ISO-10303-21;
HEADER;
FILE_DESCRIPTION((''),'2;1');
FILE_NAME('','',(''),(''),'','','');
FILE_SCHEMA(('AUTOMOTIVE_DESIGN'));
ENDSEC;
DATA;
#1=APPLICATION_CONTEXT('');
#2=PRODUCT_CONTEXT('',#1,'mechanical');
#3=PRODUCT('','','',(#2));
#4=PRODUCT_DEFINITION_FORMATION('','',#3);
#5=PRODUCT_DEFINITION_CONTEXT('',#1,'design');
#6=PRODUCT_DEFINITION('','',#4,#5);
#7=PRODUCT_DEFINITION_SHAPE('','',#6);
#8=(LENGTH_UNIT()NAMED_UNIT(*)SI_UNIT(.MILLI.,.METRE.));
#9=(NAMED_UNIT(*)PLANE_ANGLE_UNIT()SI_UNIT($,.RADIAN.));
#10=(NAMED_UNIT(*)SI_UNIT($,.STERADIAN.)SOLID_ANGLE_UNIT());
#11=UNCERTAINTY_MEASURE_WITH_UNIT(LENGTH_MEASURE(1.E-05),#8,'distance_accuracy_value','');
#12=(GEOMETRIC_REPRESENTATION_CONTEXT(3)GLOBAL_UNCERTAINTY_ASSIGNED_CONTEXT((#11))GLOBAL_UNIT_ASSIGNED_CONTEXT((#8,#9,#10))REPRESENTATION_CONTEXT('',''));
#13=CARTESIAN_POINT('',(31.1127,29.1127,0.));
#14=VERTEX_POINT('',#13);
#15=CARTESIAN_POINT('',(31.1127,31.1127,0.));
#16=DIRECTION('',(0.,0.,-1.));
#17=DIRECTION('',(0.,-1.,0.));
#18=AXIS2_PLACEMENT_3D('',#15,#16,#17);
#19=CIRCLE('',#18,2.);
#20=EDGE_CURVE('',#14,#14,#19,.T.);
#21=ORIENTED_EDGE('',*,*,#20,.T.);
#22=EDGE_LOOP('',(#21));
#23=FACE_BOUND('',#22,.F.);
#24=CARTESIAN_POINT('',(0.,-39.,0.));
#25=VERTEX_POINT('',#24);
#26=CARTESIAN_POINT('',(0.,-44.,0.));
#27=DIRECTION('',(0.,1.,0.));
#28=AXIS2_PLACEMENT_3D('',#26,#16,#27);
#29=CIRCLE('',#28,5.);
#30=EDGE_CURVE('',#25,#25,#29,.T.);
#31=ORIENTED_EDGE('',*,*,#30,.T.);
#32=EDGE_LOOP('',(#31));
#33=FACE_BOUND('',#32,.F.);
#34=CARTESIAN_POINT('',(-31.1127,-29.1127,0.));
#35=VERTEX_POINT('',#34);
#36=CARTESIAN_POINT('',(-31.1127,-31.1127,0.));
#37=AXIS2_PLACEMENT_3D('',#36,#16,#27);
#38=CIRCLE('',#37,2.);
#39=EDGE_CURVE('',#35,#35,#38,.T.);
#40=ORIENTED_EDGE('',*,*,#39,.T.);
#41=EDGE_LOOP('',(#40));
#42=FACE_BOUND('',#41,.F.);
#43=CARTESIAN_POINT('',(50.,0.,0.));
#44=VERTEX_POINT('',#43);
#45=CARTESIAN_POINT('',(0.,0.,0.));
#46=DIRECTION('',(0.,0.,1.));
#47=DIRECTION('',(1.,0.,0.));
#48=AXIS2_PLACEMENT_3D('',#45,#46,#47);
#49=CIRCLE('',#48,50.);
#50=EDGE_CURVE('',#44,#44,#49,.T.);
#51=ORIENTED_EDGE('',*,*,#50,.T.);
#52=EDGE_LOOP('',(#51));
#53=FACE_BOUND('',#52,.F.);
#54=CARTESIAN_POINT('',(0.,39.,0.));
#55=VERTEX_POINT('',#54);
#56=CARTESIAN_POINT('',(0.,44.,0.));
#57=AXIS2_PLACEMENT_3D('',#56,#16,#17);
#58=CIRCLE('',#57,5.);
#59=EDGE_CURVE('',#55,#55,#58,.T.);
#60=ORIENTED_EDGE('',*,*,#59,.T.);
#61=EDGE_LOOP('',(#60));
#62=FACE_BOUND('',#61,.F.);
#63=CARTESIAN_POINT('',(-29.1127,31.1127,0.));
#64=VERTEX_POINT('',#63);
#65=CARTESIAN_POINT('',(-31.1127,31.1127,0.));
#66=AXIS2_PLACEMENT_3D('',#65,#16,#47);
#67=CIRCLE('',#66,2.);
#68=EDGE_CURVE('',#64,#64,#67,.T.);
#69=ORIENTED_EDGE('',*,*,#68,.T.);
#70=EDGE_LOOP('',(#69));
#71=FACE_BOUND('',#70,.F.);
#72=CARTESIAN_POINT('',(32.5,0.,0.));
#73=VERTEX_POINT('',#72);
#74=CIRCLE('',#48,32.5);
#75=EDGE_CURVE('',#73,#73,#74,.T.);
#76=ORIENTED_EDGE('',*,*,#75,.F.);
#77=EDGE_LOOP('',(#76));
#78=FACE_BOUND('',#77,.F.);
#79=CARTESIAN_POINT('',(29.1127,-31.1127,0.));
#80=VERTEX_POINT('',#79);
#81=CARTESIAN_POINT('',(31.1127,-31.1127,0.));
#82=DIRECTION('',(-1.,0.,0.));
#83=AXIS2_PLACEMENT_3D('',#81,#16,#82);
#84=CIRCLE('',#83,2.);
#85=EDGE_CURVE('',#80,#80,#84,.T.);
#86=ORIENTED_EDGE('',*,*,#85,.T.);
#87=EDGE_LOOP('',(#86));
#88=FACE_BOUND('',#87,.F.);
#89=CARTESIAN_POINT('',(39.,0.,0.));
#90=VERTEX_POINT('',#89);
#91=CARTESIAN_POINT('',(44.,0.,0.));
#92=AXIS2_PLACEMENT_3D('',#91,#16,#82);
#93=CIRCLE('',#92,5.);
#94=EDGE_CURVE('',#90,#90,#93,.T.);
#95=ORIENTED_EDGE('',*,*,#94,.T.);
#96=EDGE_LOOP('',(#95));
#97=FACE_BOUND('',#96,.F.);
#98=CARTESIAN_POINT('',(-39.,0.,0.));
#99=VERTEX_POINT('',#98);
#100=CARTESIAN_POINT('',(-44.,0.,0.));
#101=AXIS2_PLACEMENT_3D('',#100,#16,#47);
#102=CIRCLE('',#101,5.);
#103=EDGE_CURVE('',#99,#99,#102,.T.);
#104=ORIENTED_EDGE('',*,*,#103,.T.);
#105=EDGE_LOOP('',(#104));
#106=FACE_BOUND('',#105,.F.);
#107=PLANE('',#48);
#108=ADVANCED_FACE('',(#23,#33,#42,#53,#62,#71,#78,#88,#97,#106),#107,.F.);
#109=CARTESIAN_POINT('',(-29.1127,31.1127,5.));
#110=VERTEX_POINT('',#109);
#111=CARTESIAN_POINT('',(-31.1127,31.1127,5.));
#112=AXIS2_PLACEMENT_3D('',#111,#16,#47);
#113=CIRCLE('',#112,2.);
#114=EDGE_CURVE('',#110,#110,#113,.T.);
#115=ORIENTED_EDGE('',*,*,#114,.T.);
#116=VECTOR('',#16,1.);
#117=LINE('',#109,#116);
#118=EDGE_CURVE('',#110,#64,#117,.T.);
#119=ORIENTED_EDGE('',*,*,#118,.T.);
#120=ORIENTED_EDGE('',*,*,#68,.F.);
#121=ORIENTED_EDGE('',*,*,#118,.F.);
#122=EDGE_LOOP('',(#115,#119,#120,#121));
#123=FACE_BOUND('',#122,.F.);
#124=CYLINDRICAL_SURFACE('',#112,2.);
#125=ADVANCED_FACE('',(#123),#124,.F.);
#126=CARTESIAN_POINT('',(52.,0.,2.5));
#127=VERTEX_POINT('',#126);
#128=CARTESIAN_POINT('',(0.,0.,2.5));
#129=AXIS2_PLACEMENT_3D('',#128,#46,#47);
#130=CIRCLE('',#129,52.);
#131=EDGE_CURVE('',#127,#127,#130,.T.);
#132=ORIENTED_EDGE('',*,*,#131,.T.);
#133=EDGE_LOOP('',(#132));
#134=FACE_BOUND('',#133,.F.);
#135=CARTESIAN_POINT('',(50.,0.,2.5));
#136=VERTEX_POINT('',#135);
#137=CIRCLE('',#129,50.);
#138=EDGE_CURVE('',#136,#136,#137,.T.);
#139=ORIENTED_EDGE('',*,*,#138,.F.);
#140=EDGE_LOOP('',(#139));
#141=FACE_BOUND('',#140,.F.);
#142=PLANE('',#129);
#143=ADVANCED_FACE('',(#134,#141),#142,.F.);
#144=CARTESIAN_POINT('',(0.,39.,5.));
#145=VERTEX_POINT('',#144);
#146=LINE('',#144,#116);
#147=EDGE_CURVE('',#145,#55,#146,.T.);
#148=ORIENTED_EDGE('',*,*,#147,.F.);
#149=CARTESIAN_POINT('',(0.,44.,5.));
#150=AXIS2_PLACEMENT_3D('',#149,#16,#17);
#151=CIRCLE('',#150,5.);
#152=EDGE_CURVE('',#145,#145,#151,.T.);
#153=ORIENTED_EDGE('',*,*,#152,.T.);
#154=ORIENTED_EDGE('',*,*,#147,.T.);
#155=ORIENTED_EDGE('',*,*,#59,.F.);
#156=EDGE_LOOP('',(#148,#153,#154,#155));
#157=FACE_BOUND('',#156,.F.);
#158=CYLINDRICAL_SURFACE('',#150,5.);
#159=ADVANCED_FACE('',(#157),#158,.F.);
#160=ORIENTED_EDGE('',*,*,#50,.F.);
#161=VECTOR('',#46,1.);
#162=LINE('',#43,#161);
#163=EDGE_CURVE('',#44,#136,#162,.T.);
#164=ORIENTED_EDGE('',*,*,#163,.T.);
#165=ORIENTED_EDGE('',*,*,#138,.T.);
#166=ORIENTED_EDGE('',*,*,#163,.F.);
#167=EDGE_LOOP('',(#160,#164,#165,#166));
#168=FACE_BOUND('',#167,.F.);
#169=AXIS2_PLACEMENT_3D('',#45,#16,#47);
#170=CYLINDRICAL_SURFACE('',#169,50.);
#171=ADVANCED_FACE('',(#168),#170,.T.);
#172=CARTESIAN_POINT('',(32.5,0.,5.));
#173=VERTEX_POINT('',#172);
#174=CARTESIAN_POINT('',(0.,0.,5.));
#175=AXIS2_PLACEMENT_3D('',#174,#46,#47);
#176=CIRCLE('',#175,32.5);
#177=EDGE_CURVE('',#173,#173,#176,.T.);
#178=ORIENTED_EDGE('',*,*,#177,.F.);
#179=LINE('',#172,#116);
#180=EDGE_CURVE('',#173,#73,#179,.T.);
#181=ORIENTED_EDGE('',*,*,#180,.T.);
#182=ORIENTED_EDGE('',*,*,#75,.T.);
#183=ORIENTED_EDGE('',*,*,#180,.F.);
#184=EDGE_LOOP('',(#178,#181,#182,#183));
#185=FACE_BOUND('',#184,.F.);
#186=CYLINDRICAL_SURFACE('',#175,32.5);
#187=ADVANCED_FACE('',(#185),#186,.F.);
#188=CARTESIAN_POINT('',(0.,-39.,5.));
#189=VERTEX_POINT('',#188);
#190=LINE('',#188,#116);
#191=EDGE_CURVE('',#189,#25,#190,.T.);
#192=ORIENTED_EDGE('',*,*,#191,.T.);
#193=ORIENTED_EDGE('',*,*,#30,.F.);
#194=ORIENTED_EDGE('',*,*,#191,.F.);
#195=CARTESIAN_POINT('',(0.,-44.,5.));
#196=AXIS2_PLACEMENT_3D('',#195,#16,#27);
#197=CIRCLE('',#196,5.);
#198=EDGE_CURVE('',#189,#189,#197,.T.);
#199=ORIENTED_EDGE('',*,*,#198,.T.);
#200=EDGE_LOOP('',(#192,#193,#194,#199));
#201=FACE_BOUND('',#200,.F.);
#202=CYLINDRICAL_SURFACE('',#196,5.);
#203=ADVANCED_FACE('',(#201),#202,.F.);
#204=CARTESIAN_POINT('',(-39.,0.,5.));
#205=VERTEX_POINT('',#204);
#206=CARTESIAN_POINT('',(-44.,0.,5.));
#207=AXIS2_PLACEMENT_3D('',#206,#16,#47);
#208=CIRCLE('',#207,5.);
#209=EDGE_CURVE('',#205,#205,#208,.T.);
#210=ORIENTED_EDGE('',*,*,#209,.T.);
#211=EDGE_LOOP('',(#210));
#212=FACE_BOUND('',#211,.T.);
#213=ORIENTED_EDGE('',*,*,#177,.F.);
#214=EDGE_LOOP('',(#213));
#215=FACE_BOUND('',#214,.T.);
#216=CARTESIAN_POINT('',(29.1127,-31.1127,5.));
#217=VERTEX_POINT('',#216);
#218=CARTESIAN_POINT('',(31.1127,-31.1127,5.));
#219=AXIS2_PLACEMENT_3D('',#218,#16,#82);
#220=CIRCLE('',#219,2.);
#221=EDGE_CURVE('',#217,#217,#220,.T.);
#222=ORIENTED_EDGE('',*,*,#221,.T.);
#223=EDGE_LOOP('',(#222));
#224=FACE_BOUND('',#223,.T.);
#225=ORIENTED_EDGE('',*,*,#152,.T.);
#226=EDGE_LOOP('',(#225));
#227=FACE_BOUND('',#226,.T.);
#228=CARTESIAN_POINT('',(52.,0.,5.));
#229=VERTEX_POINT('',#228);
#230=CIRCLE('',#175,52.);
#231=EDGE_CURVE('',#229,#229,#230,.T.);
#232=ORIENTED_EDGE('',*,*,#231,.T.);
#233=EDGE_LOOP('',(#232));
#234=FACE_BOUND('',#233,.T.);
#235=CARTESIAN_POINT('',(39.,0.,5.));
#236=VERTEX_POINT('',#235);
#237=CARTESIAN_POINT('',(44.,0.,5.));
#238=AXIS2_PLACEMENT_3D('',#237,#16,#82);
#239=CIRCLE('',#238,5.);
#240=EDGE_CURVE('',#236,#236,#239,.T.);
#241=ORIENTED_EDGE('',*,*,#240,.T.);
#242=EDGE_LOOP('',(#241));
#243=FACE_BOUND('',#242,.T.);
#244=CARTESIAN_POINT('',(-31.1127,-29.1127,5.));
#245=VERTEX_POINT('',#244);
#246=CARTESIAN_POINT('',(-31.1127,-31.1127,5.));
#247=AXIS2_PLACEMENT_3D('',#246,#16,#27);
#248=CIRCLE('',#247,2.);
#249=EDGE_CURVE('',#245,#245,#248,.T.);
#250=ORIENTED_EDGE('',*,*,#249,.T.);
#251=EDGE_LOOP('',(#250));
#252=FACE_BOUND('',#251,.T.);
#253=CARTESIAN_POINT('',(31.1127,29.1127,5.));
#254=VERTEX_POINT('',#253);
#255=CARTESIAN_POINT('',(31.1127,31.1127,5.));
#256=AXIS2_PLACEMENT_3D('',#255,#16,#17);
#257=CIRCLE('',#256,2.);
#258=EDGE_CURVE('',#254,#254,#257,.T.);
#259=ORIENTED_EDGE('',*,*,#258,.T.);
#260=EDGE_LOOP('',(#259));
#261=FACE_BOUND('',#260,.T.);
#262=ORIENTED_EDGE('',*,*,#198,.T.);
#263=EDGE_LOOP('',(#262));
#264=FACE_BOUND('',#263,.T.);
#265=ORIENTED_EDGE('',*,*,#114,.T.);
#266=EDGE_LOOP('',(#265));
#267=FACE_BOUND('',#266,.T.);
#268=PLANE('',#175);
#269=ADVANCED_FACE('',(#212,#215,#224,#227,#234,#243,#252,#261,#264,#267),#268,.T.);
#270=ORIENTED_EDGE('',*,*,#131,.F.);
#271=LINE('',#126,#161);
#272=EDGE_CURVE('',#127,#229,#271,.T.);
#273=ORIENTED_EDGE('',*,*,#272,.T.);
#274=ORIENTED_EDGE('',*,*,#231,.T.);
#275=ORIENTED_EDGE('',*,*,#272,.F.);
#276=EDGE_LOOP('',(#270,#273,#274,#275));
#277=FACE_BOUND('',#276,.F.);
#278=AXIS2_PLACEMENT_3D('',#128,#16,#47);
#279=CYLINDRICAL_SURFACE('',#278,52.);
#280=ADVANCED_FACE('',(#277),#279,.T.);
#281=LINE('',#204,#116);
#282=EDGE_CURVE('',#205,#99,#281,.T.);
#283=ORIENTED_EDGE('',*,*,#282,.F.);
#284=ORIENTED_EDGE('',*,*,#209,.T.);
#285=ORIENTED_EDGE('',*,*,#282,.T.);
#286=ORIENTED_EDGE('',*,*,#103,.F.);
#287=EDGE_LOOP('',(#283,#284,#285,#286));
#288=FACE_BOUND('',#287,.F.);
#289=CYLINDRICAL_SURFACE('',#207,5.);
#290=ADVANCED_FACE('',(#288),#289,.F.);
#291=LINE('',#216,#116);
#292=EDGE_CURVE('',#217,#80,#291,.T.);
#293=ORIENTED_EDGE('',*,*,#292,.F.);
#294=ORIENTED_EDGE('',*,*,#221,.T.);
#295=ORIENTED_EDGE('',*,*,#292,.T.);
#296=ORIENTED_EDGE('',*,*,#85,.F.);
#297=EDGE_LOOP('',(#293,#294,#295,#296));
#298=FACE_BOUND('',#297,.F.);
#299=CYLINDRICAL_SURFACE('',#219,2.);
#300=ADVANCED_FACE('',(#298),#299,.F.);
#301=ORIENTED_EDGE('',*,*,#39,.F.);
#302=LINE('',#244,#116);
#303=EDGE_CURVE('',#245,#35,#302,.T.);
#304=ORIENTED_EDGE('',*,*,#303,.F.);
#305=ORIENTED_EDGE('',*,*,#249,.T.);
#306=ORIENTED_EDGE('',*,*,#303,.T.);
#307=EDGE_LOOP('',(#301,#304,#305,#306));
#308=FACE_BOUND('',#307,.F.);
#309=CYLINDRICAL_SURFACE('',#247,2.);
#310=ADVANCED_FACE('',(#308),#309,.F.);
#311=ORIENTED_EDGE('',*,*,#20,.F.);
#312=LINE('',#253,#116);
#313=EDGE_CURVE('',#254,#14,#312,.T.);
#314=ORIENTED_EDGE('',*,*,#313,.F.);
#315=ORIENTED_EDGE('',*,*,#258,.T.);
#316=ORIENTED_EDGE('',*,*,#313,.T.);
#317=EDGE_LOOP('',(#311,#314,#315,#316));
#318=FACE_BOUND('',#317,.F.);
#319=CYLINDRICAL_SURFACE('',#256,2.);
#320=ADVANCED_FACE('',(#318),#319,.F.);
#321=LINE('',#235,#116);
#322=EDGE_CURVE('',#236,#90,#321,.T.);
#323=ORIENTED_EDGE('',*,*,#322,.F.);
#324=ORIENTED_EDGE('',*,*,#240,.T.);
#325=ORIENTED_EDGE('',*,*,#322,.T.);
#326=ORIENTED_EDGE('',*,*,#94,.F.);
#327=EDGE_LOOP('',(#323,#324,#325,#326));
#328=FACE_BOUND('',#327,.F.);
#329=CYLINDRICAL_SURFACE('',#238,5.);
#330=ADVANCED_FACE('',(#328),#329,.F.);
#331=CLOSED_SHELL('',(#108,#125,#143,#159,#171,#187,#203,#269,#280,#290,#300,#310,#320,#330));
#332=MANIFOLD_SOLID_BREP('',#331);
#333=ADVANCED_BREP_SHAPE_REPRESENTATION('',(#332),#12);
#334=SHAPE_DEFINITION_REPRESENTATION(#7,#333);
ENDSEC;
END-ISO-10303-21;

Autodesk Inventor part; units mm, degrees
ref_plane "YZ Plane" through (0, 0, 0) normal (1, 0, 0) x (0, 1, 0)
ref_plane "XZ Plane" through (0, 0, 0) normal (0, 1, 0) x (-1, 0, 0)
ref_plane "XY Plane" through (0, 0, 0) normal (0, 0, 1) x (1, 0, 0)
sketch "スケッチ1" plane through (0, 0, 0) normal (0, 0, 1) x (1, 0, 0)
  circle A0 centre (0, 0) radius 50
  dimension "d0" = 100
extrude "押し出し1" add sketch "スケッチ1" along normal blind 2.5
sketch "スケッチ2" plane through (0, 0, 2.5) normal (0, 0, 1) x (1, 0, 0)
  circle A0 centre (0, 0) radius 52
  dimension "d3" = 104
extrude "押し出し2" add sketch "スケッチ2" along normal blind 2.5
sketch "スケッチ3" plane through (0, 0, 5) normal (0, 0, 1) x (1, 0, 0)
  point P0 (0, 0)
  point P1 (0, 44)
  dimension "d6" = 44
hole "穴1" at (0, 44, 5) direction (0, 0, -1) diameter 10 end through all
pattern_circular "円形状パターン1" count 4 over 360 about axis through (0, 0, 0) along (0, 0, 1) of "穴1"
sketch "スケッチ4" plane through (0, 0, 5) normal (0, 0, 1) x (1, 0, 0)
  circle A0 centre (0, -44) radius 5 projected
  circle A1 centre (0, 0) radius 44
  line L0 (0, 0) -> (31.1127, 31.1127)
  arc A2 (0, 3.9955) -> (0, 0) centre (1.9978, 1.9978) ccw
  line L1 (0, 3.9955) -> (0, 44)
  dimension "d17" = 45
hole "穴2" at (31.1127, 31.1127, 5) direction (0, 0, -1) diameter 4 end through all
thread "ねじ1" size "M4x0.7" class "6H" standard "ANSI Metric M Profile" full length
pattern_circular "円形状パターン2" count 4 over 360 about axis through (0, 0, 0) along (0, 0, 1) of "穴2"
sketch "スケッチ5" plane through (0, 0, 5) normal (0, 0, 1) x (1, 0, 0)
  circle A0 centre (0, 0) radius 32.5
  dimension "d30" = 65
extrude "押し出し3" cut sketch "スケッチ5" against normal through all
properties part number "出力板表" material "アルミニウム 6061"
